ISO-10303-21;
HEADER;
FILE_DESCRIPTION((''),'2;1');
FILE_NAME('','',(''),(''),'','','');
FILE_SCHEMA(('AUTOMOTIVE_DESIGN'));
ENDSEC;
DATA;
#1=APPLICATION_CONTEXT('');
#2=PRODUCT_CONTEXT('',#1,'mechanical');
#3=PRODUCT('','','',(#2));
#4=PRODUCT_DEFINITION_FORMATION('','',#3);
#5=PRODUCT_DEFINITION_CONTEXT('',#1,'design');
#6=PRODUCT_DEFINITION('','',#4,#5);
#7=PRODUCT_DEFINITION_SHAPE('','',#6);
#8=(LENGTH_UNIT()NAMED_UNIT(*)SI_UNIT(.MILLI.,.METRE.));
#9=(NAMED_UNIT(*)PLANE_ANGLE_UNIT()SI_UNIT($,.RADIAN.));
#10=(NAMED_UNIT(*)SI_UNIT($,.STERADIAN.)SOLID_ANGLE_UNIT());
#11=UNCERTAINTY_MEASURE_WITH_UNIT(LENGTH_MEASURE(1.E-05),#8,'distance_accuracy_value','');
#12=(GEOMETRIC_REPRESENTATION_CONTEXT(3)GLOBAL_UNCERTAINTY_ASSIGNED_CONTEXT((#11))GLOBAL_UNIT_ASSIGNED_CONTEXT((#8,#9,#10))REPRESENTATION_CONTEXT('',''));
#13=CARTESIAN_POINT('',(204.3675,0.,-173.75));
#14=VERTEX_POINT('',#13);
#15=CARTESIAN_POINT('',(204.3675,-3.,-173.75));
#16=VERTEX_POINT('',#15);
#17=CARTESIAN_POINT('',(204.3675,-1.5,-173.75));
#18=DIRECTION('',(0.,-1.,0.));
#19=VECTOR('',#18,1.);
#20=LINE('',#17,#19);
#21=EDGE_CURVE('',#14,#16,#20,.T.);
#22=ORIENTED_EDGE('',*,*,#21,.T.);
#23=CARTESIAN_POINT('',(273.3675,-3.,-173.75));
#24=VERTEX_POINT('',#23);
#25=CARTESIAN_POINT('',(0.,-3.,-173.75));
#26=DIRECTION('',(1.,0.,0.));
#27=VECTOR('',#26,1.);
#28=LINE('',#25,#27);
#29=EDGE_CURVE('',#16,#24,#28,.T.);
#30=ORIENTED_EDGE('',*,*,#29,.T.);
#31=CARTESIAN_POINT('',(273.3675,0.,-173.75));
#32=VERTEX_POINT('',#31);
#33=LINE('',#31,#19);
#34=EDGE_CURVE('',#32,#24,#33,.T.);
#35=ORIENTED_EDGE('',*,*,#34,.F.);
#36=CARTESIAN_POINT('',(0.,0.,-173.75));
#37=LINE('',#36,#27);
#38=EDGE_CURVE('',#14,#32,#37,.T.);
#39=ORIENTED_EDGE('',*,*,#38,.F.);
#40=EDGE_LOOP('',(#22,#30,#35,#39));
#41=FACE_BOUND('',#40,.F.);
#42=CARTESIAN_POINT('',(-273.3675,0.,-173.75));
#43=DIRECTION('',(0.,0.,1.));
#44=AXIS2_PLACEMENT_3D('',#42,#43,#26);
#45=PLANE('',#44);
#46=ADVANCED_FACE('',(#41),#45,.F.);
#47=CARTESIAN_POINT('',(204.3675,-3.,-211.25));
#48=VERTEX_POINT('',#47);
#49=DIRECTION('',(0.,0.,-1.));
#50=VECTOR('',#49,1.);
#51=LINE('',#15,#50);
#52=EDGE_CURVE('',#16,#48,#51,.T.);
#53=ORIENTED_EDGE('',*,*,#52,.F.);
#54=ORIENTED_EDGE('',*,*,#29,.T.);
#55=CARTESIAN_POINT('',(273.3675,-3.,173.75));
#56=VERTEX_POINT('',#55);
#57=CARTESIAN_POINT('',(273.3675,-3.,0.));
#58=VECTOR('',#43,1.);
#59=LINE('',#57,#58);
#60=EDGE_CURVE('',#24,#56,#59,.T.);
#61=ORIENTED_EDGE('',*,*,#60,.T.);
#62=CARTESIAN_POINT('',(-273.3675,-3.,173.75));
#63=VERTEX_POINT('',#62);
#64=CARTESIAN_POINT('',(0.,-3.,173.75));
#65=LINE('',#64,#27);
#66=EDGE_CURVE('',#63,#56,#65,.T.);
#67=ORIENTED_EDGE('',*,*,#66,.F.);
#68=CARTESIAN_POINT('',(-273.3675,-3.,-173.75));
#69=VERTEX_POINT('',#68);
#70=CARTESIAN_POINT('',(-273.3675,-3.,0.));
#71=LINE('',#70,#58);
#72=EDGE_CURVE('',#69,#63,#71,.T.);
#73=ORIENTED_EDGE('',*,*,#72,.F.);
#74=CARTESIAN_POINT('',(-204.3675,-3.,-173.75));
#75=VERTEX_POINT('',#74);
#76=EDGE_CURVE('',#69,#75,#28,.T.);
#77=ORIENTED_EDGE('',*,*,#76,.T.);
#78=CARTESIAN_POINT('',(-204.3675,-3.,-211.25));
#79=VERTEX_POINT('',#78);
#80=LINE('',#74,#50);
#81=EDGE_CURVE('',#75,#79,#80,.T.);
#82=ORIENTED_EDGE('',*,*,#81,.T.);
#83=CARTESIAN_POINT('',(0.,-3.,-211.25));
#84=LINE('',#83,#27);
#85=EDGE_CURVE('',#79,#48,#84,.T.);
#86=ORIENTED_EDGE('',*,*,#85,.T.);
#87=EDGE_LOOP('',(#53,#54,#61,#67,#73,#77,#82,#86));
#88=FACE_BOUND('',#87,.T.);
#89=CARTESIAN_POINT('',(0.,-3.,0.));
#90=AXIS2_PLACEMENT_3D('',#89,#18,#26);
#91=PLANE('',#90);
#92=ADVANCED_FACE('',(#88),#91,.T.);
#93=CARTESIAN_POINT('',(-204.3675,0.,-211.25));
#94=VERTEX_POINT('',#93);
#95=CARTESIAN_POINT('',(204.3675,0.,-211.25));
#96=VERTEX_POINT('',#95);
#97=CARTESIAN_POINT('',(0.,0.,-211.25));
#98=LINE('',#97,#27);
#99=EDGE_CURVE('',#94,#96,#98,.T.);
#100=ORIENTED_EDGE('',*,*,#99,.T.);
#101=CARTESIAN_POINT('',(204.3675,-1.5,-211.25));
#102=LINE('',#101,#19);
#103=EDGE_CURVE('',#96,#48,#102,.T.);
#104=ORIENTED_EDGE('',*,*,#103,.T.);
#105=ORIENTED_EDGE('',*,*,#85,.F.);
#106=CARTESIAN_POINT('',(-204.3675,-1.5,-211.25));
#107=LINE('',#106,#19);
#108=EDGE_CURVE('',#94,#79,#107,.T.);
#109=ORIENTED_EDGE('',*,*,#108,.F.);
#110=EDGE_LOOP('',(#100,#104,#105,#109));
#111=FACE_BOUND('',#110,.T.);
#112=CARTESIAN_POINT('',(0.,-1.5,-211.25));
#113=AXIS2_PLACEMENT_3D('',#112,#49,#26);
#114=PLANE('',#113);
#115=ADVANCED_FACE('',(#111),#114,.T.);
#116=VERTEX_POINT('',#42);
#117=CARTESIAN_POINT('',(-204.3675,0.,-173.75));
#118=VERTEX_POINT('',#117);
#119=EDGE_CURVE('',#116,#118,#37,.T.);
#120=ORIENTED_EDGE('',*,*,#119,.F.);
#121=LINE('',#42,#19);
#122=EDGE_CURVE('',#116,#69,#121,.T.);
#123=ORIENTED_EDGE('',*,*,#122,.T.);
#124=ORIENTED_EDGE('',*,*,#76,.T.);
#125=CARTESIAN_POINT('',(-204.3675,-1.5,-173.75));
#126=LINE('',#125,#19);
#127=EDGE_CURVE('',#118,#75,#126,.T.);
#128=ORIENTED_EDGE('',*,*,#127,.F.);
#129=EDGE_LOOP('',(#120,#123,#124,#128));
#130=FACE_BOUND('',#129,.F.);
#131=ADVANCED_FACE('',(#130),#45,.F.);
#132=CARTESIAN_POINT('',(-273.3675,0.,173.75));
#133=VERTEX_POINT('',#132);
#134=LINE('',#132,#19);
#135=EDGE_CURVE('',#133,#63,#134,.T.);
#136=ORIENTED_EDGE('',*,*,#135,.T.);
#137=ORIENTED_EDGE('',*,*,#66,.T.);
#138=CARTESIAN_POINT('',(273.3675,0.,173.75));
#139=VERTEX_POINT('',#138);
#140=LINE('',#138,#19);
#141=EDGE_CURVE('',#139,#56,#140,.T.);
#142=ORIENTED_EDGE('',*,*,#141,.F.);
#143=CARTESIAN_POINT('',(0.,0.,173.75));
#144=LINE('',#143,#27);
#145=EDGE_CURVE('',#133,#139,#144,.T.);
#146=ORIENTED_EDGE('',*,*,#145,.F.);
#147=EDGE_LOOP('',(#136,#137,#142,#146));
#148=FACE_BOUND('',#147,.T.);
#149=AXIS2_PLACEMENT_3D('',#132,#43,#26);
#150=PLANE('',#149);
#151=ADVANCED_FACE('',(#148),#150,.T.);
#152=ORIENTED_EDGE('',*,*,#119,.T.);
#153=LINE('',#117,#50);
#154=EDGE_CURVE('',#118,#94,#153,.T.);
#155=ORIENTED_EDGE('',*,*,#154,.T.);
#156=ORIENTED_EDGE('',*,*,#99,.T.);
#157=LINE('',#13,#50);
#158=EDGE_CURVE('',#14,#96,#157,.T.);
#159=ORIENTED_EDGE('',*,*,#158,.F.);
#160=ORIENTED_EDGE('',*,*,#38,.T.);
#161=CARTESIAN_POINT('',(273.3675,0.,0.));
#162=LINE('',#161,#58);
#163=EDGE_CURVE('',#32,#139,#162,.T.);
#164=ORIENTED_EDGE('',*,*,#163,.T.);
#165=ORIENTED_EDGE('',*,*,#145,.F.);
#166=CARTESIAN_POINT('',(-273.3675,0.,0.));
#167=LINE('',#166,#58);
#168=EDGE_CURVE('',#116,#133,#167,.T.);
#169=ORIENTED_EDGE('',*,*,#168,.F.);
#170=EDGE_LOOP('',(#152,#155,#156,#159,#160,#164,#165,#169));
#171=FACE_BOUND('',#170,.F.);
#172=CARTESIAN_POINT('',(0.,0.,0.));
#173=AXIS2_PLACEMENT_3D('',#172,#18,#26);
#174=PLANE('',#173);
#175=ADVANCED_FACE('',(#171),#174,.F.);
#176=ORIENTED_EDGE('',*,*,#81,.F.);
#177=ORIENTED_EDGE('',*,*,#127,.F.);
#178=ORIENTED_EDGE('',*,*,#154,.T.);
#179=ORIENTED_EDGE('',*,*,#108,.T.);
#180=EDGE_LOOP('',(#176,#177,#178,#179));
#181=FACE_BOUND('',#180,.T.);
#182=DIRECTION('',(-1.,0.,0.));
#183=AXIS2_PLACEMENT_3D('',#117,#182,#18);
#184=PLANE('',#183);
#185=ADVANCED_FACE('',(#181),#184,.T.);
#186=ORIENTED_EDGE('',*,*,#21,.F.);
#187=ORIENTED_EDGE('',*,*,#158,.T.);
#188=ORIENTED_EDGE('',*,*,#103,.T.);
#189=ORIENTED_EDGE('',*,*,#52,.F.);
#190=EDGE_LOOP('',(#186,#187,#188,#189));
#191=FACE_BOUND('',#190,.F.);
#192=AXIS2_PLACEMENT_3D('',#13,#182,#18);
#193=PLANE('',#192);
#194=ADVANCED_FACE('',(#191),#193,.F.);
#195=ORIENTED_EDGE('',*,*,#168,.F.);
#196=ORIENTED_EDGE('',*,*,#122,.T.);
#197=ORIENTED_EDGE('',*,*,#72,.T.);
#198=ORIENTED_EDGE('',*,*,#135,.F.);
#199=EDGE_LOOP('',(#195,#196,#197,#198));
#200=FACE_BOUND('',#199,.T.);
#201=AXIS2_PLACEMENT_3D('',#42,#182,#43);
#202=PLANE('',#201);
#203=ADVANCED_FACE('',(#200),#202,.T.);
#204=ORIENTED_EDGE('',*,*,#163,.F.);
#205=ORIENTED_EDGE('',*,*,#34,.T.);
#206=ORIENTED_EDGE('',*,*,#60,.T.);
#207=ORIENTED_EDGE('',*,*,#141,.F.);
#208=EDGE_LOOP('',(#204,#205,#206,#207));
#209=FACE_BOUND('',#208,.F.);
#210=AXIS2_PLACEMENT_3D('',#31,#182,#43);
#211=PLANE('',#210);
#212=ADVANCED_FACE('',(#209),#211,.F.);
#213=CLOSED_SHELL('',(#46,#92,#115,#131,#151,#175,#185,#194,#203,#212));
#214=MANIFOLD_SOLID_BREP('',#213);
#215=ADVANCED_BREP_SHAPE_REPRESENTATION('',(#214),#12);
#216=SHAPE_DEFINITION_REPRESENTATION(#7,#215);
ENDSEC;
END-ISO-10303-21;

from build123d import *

# Parameters (mm, degrees)
F0_W     = 546.735
F0_H     = 347.5
F1_DEPTH = 3
F2_W     = 408.735
F2_H     = 3
F3_DEPTH = 37.5


with BuildPart() as f1:
    # F0 (on Front) → F1 (new body)
    with BuildSketch(Plane.XZ):
        Rectangle(F0_W, F0_H)
    extrude(amount=F1_DEPTH)

    # F2 (on face) → F3 (join)
    with BuildSketch(Plane(origin=(0, 0, -173.75), x_dir=(1, 0, 0), z_dir=(0, 0, -1))):
        with Locations((0, 1.5)):
            Rectangle(F2_W, F2_H)
    extrude(amount=F3_DEPTH)


solid = f1.part
